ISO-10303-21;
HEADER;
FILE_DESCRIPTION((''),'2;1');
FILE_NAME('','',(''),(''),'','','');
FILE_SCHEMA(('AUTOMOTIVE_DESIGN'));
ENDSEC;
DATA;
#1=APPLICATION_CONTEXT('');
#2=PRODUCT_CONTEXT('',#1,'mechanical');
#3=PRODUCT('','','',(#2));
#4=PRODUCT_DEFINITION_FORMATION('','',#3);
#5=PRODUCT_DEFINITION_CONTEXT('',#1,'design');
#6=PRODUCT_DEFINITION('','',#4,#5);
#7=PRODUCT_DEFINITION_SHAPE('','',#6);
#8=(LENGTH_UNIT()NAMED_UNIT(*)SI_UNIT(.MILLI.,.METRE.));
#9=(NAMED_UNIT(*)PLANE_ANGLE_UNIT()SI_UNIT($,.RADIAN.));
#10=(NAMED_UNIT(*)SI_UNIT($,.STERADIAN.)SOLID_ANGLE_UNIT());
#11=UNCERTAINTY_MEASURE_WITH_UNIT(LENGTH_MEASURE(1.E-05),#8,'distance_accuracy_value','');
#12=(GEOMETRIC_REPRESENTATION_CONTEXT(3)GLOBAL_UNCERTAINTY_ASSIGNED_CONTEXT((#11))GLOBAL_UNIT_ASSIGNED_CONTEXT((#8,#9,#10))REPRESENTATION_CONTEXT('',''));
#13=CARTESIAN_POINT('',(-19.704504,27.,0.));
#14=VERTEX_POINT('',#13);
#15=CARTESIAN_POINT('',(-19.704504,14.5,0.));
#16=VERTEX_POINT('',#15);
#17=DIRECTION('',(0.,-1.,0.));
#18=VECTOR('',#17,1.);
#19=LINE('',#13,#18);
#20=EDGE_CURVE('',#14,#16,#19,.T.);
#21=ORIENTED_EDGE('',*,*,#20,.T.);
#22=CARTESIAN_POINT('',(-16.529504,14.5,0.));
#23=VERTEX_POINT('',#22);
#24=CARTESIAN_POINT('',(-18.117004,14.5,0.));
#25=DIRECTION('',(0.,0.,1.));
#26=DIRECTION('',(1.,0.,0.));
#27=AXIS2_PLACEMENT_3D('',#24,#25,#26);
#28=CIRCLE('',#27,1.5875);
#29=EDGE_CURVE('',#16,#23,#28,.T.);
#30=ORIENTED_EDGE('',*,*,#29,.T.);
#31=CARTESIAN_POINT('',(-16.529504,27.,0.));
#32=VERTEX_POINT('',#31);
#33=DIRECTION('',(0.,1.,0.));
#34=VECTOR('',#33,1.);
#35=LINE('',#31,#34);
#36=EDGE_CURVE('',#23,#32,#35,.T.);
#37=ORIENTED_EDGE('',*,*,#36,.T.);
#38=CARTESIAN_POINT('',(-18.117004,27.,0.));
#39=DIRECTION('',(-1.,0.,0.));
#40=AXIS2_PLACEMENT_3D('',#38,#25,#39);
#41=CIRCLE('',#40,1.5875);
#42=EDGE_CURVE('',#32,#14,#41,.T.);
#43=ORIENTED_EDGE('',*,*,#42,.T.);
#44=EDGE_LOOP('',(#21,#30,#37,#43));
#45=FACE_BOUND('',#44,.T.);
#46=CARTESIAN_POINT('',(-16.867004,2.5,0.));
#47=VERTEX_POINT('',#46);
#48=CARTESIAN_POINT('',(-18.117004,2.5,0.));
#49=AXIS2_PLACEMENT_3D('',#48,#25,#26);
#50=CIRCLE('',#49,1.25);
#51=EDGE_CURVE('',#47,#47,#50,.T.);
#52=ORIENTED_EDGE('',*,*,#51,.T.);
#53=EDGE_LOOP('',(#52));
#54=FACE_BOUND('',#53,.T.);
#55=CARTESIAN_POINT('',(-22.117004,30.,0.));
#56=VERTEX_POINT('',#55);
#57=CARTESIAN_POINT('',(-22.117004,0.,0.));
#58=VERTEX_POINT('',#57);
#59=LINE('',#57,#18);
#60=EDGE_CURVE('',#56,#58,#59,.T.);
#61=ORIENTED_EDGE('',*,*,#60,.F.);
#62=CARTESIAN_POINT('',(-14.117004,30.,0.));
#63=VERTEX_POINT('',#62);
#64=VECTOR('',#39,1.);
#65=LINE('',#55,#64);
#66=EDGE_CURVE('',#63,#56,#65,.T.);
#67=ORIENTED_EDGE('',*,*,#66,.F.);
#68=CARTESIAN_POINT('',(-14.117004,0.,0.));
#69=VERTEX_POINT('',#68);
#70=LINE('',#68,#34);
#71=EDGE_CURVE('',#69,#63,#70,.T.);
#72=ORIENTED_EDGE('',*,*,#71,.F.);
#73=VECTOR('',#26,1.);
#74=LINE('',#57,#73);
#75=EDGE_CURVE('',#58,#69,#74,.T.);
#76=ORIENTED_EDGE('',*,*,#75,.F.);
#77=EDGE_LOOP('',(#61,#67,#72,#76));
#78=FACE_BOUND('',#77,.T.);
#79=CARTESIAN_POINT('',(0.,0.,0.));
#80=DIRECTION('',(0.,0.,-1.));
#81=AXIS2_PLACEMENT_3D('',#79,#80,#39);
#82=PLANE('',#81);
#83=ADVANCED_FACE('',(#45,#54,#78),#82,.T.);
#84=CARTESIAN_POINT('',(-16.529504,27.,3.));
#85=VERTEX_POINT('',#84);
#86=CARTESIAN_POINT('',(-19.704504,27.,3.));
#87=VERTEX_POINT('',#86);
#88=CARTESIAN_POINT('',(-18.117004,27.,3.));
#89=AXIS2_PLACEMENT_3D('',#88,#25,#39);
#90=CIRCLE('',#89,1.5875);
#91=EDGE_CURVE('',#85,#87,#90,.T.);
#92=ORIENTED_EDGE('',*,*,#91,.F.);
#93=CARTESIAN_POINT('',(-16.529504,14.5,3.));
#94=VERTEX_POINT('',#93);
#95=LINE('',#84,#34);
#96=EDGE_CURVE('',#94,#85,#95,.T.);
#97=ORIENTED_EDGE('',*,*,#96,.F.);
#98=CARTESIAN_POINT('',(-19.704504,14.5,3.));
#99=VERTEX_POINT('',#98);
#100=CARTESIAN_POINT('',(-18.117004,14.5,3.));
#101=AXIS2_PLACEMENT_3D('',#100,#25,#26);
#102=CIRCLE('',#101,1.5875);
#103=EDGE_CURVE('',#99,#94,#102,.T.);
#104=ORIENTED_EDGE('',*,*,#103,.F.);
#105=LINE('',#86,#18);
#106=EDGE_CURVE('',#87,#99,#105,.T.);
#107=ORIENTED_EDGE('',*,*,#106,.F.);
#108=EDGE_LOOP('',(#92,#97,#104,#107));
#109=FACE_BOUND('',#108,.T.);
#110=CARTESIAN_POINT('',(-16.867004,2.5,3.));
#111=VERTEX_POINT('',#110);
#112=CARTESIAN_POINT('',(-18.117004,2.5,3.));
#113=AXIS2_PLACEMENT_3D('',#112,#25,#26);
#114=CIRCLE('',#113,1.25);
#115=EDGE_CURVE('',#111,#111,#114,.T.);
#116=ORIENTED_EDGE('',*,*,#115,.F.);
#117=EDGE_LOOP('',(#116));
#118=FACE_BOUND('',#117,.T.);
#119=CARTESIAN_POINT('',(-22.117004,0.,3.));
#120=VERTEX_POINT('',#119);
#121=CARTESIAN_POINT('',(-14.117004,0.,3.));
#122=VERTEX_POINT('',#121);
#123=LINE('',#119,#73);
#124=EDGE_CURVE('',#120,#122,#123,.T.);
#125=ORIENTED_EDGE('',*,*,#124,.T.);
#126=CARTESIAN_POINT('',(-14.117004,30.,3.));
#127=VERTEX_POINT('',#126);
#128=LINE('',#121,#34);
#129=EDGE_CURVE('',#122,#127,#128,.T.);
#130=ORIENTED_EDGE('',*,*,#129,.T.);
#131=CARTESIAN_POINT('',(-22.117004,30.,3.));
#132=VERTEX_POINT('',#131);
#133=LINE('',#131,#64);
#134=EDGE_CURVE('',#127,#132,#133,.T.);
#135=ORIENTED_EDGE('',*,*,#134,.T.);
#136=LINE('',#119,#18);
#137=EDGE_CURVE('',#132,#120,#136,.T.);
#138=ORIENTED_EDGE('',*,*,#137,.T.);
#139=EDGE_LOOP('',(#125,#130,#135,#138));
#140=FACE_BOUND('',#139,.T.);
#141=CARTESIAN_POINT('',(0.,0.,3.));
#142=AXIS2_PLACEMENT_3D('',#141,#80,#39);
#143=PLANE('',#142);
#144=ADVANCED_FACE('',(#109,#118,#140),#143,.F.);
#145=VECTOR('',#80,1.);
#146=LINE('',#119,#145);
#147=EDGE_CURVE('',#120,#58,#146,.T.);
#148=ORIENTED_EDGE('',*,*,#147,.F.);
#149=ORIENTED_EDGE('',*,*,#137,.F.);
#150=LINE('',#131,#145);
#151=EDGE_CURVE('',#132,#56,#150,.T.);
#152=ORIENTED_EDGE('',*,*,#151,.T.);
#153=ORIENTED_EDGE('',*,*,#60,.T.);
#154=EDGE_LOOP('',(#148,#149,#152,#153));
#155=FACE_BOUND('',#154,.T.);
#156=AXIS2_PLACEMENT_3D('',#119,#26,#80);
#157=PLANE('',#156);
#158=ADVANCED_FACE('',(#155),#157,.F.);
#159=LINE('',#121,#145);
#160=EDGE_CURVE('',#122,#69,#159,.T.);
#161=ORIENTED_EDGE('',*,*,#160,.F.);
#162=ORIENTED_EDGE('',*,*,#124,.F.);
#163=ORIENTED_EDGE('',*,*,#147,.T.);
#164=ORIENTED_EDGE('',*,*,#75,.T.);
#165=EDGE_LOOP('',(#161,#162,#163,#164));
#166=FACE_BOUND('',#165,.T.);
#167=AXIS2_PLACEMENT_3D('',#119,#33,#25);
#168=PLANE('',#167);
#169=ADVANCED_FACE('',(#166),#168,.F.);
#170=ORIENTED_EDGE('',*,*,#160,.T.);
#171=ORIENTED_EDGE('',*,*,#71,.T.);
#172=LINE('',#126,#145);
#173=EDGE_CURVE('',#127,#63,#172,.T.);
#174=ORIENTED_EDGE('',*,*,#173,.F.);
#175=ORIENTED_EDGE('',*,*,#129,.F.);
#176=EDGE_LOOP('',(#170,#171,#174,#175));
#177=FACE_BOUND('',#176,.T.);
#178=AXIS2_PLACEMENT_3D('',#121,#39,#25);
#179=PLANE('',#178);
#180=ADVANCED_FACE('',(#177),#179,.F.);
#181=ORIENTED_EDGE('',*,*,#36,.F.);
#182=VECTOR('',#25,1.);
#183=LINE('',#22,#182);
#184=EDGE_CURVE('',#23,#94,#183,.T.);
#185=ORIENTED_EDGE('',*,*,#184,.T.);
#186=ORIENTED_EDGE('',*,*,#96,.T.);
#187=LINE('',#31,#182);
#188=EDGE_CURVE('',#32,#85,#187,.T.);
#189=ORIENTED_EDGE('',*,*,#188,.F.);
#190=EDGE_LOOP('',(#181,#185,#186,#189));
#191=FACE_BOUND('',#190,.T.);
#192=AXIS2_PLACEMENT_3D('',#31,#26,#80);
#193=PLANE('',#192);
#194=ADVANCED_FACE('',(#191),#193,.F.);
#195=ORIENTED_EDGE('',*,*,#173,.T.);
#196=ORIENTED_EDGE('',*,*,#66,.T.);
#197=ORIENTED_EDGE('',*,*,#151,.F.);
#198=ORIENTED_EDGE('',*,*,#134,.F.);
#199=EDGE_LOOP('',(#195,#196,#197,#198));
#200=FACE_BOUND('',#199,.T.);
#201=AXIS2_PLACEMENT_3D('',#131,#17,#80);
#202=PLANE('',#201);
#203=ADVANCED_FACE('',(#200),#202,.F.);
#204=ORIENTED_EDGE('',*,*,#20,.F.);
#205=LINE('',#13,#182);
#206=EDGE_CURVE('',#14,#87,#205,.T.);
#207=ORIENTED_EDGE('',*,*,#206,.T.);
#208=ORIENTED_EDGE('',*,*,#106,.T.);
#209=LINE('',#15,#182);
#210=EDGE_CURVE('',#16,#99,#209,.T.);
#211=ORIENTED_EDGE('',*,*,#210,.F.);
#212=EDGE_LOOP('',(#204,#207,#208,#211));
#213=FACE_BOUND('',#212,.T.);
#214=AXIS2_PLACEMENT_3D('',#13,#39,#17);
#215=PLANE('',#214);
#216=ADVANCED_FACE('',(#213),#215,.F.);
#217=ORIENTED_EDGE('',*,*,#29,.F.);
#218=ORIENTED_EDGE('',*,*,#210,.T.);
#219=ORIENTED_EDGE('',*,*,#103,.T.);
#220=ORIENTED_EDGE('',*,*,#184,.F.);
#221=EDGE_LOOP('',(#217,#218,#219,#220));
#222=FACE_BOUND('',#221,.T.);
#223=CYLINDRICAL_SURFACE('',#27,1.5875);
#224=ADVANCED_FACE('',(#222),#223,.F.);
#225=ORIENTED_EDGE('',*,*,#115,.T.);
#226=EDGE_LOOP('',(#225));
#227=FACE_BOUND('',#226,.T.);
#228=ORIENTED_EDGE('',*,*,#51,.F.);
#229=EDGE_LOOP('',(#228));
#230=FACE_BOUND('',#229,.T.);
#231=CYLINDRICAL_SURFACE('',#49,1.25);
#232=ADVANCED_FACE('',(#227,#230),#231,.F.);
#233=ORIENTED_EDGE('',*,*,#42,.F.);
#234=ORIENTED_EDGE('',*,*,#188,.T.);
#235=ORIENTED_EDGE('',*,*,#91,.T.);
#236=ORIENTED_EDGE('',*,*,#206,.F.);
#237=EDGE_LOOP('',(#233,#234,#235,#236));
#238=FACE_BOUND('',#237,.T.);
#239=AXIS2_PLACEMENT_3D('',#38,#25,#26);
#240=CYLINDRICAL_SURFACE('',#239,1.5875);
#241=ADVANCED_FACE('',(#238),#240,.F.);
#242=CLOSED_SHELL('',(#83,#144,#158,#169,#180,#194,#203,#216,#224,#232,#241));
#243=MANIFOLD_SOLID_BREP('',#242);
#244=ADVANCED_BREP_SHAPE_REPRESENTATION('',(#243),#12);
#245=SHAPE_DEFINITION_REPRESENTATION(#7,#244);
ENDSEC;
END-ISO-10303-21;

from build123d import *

# Parameters (mm, degrees)
SKETCH1_W           = 8
SKETCH1_H           = 30
BOSS_EXTRUDE1_DEPTH = 3
SKETCH2_R           = 1.25
CUT_EXTRUDE1_DEPTH  = 3


with BuildPart() as part:
    # Sketch1 → Boss-Extrude1 (new body)
    with BuildSketch(Plane.XY):
        with Locations((-18.117004067, 15)):
            Rectangle(SKETCH1_W, SKETCH1_H)
    extrude(amount=BOSS_EXTRUDE1_DEPTH)

    # Sketch2 → Cut-Extrude1 (cut)
    with BuildSketch(Plane.XY.offset(3)):
        with Locations((-18.117004067, 2.5)):
            Circle(SKETCH2_R)
        with BuildLine():
            Line((-16.529504067, 27), (-16.529504067, 14.5))
            ThreePointArc((-16.529504067, 14.5), (-18.117004067, 12.9125), (-19.704504067, 14.5))
            Line((-19.704504067, 14.5), (-19.704504067, 27))
            ThreePointArc((-19.704504067, 27), (-18.117004067, 28.5875), (-16.529504067, 27))
        make_face()
    extrude(amount=-CUT_EXTRUDE1_DEPTH, mode=Mode.SUBTRACT)


solid = part.part
